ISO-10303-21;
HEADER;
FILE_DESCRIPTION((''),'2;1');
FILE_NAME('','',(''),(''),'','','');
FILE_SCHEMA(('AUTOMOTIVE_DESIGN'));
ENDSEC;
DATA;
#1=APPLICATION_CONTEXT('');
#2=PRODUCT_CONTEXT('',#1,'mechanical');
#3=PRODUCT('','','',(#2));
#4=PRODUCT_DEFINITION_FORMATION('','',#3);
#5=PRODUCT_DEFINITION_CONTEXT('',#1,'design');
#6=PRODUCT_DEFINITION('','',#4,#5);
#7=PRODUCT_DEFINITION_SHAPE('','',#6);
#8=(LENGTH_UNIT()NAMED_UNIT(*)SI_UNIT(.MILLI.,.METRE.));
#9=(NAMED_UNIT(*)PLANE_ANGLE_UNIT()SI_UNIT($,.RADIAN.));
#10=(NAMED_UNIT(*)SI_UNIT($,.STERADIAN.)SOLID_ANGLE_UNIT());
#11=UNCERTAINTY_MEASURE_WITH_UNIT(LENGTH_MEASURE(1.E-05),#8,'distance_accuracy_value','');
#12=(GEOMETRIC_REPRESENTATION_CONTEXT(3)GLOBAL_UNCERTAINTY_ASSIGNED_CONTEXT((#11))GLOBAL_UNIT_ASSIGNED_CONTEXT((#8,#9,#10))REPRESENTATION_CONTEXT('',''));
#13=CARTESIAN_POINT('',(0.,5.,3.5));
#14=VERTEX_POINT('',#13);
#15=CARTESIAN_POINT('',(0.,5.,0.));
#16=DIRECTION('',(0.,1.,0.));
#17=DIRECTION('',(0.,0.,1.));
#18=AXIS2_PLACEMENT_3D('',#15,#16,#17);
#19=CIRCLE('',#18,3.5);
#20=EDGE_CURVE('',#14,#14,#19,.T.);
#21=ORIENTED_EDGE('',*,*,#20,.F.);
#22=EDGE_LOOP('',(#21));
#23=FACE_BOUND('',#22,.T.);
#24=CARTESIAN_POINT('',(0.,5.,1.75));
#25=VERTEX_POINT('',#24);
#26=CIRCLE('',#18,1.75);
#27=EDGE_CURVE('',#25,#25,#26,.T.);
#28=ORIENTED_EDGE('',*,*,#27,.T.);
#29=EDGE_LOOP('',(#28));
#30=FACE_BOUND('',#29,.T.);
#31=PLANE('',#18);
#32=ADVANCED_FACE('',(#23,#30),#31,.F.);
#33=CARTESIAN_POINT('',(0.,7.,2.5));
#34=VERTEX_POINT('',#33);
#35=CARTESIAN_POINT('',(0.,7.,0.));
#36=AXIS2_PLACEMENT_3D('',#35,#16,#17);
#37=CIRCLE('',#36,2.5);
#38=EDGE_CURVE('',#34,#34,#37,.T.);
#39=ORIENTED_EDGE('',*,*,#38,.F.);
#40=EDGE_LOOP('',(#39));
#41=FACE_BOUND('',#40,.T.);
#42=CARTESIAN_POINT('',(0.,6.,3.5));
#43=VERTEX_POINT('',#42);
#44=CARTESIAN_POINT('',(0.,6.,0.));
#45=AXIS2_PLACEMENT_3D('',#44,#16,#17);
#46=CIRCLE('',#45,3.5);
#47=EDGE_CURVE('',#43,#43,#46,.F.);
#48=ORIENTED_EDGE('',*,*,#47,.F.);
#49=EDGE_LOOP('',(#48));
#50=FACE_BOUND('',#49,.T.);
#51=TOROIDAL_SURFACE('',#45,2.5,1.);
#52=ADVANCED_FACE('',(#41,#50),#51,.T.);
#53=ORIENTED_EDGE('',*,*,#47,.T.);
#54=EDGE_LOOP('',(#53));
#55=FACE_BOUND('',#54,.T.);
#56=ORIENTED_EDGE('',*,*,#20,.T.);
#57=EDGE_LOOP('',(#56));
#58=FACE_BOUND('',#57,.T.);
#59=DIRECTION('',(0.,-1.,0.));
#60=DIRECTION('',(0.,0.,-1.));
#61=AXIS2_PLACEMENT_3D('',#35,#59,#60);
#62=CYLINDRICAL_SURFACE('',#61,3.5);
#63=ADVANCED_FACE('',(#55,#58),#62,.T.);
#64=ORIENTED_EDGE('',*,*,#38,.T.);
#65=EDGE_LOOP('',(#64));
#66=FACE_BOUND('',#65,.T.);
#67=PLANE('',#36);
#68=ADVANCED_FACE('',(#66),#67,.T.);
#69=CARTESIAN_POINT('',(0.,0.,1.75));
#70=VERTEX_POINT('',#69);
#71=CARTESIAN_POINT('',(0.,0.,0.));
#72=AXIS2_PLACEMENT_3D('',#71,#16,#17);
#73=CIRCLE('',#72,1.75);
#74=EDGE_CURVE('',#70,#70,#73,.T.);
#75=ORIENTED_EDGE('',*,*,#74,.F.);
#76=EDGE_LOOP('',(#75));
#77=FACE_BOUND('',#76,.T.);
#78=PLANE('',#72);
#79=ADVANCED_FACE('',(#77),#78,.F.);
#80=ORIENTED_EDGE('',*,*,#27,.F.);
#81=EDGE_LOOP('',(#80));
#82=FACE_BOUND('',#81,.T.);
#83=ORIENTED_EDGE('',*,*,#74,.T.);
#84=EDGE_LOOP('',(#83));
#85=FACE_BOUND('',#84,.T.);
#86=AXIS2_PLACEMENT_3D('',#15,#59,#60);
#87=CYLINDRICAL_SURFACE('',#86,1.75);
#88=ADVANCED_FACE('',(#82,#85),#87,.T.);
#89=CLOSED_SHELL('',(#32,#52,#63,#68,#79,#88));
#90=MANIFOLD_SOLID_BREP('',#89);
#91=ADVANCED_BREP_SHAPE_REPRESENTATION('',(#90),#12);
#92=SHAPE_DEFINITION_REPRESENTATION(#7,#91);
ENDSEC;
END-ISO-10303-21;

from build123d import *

# Parameters (mm, degrees)
ESQUISSE1_R        = 1.75
BOSS_EXTRU_1_DEPTH = 5
ESQUISSE2_R        = 3.5
BOSS_EXTRU_2_DEPTH = 2
CONG_1_R           = 1


with BuildPart() as part:
    # Esquisse1 → Boss.-Extru.1 (new body)
    with BuildSketch(Plane(origin=(0, 0, 0), x_dir=(1, 0, 0), z_dir=(0, 1, 0))):
        Circle(ESQUISSE1_R)
    extrude(amount=BOSS_EXTRU_1_DEPTH)

    # Esquisse2 → Boss.-Extru.2 (add)
    with BuildSketch(Plane(origin=(0, 5, 0), x_dir=(1, 0, 0), z_dir=(0, 1, 0))):
        Circle(ESQUISSE2_R)
    extrude(amount=BOSS_EXTRU_2_DEPTH)

    # Congé1
    cong_1_edges = [part.edges().sort_by_distance(p)[0] for p in [
        (-3.5, 7, 0),
    ]]
    fillet(cong_1_edges, radius=CONG_1_R)


solid = part.part
